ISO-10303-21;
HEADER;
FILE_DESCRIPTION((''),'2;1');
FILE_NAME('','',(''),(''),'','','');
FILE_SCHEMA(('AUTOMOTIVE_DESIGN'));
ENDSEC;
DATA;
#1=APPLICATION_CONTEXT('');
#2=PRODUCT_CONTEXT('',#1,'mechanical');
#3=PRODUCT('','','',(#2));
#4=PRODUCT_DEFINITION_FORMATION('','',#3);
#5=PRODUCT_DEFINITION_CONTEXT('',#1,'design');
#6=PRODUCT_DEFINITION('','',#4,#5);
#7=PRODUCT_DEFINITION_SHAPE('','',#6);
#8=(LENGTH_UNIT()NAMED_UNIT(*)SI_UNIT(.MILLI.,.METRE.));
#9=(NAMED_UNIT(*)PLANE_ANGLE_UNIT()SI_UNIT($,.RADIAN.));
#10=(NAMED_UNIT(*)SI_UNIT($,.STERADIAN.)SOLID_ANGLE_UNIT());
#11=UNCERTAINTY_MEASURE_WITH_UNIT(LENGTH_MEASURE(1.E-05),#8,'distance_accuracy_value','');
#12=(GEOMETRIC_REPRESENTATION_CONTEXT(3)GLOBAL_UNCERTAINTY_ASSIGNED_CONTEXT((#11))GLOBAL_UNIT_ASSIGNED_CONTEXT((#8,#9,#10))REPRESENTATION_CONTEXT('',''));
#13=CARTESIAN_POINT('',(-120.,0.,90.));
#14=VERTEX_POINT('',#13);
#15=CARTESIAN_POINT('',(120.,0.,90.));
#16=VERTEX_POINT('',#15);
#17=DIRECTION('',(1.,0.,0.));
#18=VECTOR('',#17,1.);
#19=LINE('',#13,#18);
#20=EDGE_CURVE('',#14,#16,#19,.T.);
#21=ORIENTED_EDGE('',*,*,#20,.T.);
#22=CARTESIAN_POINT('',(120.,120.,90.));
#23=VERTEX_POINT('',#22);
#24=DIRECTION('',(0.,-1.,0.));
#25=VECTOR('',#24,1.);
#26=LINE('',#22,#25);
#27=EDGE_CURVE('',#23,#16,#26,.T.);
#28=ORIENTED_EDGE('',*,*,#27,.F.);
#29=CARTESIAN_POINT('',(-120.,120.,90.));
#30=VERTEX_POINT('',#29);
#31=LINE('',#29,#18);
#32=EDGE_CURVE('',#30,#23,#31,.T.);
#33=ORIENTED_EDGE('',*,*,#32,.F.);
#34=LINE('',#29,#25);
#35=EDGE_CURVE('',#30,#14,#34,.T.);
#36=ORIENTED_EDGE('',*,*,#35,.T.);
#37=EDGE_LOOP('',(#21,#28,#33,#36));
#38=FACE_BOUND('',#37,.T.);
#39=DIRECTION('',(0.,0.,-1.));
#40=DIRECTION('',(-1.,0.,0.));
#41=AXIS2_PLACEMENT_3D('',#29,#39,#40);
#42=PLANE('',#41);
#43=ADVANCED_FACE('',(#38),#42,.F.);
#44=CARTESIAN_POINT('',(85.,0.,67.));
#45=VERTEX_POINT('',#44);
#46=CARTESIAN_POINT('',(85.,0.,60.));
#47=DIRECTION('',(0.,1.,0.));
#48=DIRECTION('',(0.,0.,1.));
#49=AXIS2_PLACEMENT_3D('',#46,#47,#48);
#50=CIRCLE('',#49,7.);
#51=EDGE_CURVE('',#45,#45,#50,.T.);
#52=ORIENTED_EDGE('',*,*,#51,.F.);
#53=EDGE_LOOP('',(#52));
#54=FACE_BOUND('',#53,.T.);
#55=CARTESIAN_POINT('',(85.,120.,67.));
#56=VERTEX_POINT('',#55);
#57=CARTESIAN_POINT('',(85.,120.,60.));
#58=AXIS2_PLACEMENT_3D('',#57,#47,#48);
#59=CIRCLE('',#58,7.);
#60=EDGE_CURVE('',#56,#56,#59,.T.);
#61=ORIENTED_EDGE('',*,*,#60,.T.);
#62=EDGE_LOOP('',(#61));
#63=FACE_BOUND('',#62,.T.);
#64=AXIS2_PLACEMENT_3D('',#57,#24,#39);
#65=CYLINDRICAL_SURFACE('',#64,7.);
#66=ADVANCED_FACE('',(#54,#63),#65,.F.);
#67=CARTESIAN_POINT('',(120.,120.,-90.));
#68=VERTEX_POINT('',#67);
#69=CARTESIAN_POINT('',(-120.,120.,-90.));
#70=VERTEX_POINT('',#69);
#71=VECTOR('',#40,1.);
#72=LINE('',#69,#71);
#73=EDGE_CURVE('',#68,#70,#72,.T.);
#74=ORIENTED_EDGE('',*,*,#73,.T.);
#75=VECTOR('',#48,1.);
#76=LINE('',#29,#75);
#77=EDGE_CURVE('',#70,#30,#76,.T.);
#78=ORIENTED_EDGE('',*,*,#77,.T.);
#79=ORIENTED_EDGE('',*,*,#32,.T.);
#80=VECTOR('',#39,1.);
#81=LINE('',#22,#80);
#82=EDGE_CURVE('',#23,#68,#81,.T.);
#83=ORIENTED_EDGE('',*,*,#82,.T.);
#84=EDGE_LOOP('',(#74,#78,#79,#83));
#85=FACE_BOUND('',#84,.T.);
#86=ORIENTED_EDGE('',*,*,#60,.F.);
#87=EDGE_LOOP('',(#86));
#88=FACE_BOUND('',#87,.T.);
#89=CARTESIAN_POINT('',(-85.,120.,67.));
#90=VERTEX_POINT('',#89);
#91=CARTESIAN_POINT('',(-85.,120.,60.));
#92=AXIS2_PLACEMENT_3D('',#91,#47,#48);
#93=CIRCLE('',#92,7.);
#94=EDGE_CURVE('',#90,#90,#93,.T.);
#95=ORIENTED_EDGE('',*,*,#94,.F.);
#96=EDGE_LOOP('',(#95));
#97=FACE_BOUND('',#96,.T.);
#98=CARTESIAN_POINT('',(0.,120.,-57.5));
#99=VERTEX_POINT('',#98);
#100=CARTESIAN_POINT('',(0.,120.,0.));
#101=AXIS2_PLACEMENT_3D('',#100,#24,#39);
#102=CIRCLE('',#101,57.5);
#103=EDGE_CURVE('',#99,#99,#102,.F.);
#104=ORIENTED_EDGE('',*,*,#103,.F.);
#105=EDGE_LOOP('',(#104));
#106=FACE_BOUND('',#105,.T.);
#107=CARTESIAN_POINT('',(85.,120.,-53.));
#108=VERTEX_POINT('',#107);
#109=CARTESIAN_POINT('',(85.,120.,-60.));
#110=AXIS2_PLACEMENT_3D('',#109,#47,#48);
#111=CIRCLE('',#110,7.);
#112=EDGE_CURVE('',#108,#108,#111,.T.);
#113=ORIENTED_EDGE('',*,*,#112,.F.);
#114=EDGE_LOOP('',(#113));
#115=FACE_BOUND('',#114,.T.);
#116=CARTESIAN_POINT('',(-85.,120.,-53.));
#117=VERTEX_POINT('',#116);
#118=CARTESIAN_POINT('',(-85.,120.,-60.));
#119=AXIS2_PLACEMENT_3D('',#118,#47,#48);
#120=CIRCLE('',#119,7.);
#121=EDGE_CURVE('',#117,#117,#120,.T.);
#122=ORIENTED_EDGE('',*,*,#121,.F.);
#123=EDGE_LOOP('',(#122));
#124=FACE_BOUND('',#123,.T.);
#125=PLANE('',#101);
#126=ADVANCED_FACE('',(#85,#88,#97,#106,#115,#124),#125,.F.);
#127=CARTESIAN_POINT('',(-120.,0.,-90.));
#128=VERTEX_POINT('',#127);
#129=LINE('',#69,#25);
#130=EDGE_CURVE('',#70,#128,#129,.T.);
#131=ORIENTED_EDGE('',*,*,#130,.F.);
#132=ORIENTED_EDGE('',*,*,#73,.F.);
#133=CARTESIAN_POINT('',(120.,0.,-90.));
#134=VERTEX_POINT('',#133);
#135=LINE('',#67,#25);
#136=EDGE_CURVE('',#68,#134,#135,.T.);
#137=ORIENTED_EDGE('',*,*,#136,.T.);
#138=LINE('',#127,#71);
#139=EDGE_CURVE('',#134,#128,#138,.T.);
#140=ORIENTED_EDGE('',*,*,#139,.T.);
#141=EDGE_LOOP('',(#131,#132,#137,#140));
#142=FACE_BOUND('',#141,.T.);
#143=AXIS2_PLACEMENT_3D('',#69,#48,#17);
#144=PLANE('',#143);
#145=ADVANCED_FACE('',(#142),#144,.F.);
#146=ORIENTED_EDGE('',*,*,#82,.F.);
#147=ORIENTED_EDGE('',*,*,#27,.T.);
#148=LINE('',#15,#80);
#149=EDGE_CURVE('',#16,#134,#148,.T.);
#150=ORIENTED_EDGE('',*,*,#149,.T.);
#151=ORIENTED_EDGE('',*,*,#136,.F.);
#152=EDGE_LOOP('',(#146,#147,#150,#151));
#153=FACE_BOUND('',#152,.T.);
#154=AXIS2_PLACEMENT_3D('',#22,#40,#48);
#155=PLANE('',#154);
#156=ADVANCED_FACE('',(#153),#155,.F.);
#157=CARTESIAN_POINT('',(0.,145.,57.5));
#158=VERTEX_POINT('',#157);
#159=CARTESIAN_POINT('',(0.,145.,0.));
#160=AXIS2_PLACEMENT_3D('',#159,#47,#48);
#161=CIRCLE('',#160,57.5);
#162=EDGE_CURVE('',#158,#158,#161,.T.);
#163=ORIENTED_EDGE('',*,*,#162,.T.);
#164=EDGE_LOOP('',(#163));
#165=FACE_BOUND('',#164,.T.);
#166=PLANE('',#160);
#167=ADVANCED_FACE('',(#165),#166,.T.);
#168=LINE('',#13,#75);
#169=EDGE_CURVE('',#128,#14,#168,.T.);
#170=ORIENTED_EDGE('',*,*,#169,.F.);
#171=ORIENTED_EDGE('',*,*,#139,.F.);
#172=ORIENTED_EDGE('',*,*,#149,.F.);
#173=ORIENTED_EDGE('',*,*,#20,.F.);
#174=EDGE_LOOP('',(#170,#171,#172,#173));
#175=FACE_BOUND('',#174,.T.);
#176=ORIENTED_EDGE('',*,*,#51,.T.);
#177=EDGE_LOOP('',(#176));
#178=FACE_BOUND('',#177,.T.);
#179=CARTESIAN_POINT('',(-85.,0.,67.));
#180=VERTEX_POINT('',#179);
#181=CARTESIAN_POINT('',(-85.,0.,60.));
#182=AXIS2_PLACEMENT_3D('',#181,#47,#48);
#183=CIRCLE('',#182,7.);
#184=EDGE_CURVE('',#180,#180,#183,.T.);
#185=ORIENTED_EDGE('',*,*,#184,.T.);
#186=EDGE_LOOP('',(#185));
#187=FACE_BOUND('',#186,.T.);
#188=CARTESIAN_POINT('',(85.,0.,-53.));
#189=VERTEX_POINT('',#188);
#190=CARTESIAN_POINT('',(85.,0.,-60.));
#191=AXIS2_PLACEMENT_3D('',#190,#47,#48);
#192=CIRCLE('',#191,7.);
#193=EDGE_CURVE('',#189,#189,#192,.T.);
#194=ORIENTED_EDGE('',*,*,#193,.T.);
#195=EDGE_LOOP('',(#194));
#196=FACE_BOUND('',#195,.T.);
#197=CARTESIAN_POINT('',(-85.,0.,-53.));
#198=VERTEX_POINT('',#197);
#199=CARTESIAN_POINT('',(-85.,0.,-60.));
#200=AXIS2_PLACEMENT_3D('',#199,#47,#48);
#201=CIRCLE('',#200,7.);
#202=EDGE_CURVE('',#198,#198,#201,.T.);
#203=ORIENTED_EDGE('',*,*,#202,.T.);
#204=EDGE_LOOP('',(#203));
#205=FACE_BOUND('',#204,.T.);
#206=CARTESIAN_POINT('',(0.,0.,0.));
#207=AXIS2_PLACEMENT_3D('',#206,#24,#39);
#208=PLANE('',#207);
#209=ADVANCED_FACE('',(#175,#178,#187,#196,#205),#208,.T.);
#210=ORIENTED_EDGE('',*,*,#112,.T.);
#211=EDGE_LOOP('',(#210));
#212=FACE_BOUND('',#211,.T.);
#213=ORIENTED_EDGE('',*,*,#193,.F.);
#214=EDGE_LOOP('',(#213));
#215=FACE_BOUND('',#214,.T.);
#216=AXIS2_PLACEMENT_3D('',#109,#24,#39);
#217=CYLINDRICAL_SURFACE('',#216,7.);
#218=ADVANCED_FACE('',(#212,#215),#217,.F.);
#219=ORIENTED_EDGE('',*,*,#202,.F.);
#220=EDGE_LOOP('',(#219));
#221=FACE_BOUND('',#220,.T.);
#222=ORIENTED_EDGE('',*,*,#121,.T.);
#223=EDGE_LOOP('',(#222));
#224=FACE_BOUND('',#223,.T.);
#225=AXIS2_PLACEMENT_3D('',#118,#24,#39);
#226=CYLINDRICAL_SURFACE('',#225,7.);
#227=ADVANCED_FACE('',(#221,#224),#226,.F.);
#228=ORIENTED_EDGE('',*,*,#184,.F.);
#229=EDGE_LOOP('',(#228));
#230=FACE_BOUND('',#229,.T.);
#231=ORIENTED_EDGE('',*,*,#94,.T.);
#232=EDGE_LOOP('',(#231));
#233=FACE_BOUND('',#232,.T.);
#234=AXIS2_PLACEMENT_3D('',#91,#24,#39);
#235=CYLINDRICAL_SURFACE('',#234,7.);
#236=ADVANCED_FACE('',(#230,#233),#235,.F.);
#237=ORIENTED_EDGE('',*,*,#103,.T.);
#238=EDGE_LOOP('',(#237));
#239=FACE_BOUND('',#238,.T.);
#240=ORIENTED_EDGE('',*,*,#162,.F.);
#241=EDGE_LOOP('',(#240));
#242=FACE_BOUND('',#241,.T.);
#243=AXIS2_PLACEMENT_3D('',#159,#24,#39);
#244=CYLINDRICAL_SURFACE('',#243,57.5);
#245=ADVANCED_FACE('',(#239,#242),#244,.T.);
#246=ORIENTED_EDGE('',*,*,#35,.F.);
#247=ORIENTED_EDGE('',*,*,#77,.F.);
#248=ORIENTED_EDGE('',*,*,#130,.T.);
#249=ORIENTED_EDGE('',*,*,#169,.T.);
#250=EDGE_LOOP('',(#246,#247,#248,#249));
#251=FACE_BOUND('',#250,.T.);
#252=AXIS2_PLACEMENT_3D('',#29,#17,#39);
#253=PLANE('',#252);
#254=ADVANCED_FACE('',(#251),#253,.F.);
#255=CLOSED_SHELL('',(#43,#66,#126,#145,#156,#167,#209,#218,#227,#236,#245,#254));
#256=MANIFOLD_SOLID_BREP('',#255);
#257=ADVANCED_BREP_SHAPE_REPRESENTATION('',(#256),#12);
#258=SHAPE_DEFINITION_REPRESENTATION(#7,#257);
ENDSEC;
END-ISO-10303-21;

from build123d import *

# Parameters (mm, degrees)
F_01_HOUSING_PROFILE_W        = 240
F_01_HOUSING_PROFILE_H        = 180
F_01_HOUSING_PROFILE_R        = 7
F_01_HOUSING_BLOCK_DEPTH      = 120
F_02_FACE_BOSS_PROFILE_R      = 57.5
F_02_FACE_LOCATING_BOSS_DEPTH = 145


with BuildPart() as part:
    # 01_Housing_Profile → 01_Housing_Block (new body)
    with BuildSketch(Plane(origin=(0, 0, 0), x_dir=(1, 0, 0), z_dir=(0, 1, 0))):
        Rectangle(F_01_HOUSING_PROFILE_W, F_01_HOUSING_PROFILE_H)
        with Locations(Location((-85, -60, 0), (0, 0, 270))):
            Circle(F_01_HOUSING_PROFILE_R, mode=Mode.SUBTRACT)
        with Locations(Location((85, -60, 0), (0, 0, 270))):
            Circle(F_01_HOUSING_PROFILE_R, mode=Mode.SUBTRACT)
        with Locations(Location((-85, 60, 0), (0, 0, 270))):
            Circle(F_01_HOUSING_PROFILE_R, mode=Mode.SUBTRACT)
        with Locations(Location((85, 60, 0), (0, 0, 270))):
            Circle(F_01_HOUSING_PROFILE_R, mode=Mode.SUBTRACT)
    extrude(amount=F_01_HOUSING_BLOCK_DEPTH)

    # 02_Face_Boss_Profile → 02_Face_Locating_Boss (add)
    with BuildSketch(Plane(origin=(0, 0, 0), x_dir=(1, 0, 0), z_dir=(0, 1, 0))):
        with Locations(Location((0, 0, 0), (0, 0, 90))):
            Circle(F_02_FACE_BOSS_PROFILE_R)
    extrude(amount=F_02_FACE_LOCATING_BOSS_DEPTH)


solid = part.part
